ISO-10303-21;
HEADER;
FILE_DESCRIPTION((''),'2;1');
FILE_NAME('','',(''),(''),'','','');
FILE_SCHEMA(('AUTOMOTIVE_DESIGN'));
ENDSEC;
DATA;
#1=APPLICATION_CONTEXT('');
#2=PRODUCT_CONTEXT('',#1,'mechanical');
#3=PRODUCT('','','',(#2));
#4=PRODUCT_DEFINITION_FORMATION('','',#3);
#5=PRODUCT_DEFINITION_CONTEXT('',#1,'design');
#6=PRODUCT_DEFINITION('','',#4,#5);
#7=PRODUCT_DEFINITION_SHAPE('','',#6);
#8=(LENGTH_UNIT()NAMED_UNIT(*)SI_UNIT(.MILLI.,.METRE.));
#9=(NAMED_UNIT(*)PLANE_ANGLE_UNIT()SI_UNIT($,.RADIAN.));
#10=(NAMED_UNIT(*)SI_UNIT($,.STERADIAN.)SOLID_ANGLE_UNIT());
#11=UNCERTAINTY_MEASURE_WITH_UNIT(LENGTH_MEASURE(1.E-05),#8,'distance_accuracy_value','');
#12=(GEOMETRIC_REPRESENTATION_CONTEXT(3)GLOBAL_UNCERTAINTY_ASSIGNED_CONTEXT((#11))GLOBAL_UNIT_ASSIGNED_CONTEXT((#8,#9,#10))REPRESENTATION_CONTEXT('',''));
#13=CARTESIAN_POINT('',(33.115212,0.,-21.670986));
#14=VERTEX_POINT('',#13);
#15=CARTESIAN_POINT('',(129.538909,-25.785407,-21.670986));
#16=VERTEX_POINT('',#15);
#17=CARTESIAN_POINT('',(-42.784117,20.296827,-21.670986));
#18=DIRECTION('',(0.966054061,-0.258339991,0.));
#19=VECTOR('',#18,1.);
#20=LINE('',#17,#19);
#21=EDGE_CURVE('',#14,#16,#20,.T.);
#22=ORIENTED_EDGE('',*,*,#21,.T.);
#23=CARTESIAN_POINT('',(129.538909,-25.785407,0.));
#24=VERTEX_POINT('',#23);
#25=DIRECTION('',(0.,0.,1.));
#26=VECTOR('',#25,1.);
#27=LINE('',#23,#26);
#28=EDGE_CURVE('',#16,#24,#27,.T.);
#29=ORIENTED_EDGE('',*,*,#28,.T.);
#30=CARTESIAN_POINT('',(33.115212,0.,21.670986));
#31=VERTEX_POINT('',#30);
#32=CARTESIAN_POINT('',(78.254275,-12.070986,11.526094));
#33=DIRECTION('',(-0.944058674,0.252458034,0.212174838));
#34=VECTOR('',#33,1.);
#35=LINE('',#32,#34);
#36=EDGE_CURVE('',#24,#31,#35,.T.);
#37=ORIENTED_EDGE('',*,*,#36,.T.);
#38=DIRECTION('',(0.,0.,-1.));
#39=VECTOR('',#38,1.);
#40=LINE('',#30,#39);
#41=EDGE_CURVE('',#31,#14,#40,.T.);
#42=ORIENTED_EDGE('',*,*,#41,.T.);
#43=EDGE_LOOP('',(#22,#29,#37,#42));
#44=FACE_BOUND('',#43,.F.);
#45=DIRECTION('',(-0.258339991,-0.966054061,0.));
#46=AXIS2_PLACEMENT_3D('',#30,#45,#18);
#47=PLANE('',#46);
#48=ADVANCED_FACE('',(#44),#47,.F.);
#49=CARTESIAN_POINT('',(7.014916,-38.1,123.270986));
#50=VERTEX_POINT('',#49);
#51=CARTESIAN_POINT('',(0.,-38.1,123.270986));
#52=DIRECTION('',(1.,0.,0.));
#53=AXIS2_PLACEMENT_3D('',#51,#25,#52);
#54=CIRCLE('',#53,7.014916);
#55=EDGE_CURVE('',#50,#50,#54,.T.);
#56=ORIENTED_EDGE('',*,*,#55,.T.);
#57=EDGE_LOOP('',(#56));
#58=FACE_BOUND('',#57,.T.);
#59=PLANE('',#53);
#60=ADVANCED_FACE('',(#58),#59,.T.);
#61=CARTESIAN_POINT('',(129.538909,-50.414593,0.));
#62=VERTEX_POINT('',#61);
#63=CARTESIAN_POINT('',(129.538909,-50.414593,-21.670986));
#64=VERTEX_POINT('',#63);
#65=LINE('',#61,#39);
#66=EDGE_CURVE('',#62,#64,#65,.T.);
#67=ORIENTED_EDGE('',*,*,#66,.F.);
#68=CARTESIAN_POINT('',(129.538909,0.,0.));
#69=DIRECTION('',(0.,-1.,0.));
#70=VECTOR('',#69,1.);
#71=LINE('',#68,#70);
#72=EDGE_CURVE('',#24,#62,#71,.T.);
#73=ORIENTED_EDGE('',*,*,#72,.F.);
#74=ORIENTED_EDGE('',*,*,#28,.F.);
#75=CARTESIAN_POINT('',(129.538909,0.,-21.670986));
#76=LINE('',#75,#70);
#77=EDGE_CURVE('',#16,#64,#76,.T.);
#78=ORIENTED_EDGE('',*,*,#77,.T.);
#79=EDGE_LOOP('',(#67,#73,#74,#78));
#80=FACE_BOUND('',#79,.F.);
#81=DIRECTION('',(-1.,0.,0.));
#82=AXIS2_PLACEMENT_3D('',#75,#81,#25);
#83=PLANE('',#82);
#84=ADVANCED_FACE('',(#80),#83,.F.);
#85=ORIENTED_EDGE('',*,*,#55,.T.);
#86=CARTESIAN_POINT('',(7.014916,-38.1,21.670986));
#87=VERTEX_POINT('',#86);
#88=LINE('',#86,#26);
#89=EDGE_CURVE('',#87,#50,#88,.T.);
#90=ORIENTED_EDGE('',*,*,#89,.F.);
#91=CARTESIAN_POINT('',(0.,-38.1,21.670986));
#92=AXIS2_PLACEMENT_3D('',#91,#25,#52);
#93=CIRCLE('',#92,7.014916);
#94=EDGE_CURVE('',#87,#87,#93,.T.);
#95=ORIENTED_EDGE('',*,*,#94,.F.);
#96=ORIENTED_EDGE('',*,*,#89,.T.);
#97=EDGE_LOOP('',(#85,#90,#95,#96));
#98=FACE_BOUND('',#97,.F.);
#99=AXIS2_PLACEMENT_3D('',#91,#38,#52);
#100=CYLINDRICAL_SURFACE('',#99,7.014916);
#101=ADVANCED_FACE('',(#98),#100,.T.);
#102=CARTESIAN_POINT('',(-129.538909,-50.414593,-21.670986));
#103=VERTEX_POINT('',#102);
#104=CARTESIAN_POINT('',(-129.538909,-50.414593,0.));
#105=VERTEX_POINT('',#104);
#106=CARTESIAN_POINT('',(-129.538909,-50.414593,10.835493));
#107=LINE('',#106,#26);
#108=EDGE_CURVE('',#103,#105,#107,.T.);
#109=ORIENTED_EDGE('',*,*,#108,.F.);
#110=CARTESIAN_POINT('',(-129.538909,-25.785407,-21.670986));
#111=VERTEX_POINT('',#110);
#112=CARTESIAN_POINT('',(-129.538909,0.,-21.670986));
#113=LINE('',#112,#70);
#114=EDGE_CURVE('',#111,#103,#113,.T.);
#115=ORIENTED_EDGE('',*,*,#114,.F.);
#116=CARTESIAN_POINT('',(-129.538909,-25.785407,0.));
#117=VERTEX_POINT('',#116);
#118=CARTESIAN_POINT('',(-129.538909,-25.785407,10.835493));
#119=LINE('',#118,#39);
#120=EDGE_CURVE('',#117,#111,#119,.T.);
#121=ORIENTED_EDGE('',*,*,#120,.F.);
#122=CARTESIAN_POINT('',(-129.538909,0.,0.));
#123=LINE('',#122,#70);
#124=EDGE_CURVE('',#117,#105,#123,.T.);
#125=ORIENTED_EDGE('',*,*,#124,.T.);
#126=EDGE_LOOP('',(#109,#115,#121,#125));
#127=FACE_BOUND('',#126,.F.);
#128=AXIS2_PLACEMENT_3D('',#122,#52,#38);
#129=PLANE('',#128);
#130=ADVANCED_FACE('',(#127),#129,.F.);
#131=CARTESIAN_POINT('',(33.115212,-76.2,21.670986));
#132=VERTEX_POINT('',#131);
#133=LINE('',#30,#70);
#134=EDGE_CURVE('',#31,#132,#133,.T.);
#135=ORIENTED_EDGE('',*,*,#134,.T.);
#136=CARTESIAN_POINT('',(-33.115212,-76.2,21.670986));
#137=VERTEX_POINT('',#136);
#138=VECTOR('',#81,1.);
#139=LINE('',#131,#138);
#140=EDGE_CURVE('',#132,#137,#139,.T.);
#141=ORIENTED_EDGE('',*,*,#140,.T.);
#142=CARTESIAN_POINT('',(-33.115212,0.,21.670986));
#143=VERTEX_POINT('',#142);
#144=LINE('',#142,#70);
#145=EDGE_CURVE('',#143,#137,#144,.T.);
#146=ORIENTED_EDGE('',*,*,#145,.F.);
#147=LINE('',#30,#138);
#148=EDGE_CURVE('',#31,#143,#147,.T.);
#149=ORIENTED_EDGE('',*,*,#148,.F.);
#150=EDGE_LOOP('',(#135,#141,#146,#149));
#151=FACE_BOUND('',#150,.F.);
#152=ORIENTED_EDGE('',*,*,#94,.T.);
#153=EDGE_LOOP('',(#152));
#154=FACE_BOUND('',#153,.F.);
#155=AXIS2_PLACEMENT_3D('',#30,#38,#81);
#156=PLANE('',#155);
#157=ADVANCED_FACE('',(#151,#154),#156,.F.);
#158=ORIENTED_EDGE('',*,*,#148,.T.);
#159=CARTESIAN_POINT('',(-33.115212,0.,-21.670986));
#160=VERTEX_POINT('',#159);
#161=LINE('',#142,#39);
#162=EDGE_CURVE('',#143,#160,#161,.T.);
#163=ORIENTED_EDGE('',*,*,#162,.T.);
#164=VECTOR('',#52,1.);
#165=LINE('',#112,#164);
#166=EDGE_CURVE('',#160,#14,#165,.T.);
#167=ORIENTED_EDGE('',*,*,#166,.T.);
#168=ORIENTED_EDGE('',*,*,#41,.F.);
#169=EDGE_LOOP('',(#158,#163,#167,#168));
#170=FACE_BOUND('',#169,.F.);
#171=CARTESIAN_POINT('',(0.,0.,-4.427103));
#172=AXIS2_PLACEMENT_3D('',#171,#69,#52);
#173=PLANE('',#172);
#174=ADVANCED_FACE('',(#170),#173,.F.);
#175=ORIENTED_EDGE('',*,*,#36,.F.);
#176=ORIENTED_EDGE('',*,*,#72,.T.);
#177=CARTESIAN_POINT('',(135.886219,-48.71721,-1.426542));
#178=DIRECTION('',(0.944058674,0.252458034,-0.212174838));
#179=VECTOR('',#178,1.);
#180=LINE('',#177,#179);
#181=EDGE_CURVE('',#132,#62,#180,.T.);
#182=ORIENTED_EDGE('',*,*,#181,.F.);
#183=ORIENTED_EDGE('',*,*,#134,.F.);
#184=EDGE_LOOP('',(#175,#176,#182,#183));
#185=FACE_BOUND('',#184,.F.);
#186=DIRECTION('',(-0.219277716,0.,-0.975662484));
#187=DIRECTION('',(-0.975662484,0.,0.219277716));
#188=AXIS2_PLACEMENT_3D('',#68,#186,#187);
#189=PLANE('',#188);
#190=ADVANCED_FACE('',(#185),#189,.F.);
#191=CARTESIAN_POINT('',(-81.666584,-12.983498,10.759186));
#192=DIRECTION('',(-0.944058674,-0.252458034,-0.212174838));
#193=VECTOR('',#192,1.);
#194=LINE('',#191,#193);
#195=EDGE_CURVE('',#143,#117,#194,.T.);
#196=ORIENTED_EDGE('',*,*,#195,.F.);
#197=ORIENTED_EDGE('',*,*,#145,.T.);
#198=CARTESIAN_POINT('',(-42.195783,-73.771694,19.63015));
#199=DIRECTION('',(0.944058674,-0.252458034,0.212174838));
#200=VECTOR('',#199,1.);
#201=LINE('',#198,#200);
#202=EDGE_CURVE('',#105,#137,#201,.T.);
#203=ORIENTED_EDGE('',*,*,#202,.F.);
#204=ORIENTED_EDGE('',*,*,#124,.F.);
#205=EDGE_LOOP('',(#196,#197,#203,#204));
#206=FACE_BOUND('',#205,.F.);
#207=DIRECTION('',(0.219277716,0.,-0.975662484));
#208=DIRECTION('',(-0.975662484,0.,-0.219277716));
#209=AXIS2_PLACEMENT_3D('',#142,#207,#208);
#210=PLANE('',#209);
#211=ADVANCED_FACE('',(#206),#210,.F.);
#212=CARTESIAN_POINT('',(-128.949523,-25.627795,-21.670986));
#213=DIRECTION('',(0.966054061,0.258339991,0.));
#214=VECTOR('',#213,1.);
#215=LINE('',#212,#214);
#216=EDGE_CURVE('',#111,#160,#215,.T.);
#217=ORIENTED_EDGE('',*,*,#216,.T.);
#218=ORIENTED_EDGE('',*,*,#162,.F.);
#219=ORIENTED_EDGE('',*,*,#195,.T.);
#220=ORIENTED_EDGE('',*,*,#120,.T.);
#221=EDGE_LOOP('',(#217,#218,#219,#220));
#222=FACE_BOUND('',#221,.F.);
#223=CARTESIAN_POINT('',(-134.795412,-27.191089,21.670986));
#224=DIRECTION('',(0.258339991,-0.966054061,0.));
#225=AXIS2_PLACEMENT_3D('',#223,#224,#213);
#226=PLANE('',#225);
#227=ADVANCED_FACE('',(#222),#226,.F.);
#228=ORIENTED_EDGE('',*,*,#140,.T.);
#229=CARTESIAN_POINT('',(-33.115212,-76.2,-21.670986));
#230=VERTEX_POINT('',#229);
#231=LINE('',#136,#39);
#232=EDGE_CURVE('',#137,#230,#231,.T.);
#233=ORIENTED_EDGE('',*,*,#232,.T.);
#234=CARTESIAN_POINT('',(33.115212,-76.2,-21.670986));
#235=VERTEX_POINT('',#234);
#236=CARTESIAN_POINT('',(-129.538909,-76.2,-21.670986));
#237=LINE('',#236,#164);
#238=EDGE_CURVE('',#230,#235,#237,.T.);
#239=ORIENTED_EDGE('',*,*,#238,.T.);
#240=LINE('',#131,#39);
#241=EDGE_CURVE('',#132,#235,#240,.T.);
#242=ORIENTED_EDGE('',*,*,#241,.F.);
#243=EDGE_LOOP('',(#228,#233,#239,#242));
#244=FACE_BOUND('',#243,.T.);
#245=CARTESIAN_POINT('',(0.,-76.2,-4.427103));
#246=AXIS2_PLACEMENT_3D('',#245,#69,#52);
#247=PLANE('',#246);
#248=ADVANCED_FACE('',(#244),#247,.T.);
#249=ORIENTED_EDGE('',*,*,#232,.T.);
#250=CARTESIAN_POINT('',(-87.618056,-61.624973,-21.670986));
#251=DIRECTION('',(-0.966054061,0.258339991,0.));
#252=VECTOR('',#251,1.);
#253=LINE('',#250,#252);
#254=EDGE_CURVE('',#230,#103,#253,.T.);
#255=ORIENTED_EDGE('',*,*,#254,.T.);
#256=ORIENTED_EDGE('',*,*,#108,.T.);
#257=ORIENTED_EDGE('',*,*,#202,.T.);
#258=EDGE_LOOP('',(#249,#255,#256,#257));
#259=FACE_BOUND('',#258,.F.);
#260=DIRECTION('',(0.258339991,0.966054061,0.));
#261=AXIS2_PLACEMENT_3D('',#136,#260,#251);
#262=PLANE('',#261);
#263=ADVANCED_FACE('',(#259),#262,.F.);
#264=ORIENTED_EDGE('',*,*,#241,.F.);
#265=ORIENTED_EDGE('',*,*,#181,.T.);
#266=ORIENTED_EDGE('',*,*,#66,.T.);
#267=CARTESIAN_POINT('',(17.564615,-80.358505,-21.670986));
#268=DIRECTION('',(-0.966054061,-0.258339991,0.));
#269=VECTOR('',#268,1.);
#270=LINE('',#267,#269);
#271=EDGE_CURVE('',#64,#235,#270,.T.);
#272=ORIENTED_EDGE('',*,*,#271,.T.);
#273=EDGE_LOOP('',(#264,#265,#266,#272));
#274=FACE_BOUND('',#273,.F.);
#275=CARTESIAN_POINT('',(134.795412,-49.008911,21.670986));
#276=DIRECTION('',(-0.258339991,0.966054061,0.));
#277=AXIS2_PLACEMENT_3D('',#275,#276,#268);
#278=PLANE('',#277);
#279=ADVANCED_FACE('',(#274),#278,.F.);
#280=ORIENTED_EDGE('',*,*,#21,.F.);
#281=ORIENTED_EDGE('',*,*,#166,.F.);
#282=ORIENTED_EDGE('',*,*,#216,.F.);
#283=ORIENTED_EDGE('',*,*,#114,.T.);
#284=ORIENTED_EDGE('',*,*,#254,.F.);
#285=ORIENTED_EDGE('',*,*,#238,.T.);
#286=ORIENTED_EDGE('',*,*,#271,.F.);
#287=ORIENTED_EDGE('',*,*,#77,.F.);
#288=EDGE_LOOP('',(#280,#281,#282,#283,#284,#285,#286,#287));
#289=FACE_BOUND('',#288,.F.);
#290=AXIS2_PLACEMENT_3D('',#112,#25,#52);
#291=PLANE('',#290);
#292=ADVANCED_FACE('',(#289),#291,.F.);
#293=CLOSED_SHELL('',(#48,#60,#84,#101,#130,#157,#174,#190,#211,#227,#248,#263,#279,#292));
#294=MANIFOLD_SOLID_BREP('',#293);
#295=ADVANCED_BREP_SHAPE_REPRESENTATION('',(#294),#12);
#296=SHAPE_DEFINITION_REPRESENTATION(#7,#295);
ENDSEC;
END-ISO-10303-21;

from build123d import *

# Parameters (mm, degrees)
F1_DEPTH = 76.2
F2_R     = 7.014916
F3_DEPTH = 101.6
F5_DEPTH = 76.2
F6_DEPTH = 76.2


with BuildPart() as f1:
    # F0 (on Front) → F1 (new body)
    with BuildSketch(Plane.XZ):
        Polygon((129.538909, 0), (33.115212, 21.670986), (14.60965, 21.670986), (0, 21.670986), (-33.115212, 21.670986), (-129.538909, 0), (-129.538909, -21.670986), (129.538909, -21.670986), align=None)
    extrude(amount=F1_DEPTH)

    # F2 (on face) → F3 (join)
    with BuildSketch(Plane.XY.offset(21.670986)):
        with Locations((0, -38.1)):
            Circle(F2_R)
    extrude(amount=F3_DEPTH)

    # F4 (on face) → F5 (cut)
    with BuildSketch(Plane.XY.offset(21.670986)):
        Polygon((134.795412, 6.28761), (33.115212, 0), (134.795412, -27.191089), align=None)
    extrude(amount=-F5_DEPTH, mode=Mode.SUBTRACT)

    # F4 (on face) → F6 (cut)
    with BuildSketch(Plane.XY.offset(21.670986)):
        Polygon((134.795412, 6.28761), (33.115212, 0), (134.795412, -27.191089), align=None)
        Polygon((-134.795412, -27.191089), (-33.115212, 0), (-134.795412, 6.28761), align=None)
        Polygon((134.795412, -49.008911), (33.115212, -76.2), (134.795412, -82.48761), align=None)
        Polygon((-134.795412, -82.48761), (-33.115212, -76.2), (-134.795412, -49.008911), align=None)
    extrude(amount=-F6_DEPTH, mode=Mode.SUBTRACT)


solid = f1.part
